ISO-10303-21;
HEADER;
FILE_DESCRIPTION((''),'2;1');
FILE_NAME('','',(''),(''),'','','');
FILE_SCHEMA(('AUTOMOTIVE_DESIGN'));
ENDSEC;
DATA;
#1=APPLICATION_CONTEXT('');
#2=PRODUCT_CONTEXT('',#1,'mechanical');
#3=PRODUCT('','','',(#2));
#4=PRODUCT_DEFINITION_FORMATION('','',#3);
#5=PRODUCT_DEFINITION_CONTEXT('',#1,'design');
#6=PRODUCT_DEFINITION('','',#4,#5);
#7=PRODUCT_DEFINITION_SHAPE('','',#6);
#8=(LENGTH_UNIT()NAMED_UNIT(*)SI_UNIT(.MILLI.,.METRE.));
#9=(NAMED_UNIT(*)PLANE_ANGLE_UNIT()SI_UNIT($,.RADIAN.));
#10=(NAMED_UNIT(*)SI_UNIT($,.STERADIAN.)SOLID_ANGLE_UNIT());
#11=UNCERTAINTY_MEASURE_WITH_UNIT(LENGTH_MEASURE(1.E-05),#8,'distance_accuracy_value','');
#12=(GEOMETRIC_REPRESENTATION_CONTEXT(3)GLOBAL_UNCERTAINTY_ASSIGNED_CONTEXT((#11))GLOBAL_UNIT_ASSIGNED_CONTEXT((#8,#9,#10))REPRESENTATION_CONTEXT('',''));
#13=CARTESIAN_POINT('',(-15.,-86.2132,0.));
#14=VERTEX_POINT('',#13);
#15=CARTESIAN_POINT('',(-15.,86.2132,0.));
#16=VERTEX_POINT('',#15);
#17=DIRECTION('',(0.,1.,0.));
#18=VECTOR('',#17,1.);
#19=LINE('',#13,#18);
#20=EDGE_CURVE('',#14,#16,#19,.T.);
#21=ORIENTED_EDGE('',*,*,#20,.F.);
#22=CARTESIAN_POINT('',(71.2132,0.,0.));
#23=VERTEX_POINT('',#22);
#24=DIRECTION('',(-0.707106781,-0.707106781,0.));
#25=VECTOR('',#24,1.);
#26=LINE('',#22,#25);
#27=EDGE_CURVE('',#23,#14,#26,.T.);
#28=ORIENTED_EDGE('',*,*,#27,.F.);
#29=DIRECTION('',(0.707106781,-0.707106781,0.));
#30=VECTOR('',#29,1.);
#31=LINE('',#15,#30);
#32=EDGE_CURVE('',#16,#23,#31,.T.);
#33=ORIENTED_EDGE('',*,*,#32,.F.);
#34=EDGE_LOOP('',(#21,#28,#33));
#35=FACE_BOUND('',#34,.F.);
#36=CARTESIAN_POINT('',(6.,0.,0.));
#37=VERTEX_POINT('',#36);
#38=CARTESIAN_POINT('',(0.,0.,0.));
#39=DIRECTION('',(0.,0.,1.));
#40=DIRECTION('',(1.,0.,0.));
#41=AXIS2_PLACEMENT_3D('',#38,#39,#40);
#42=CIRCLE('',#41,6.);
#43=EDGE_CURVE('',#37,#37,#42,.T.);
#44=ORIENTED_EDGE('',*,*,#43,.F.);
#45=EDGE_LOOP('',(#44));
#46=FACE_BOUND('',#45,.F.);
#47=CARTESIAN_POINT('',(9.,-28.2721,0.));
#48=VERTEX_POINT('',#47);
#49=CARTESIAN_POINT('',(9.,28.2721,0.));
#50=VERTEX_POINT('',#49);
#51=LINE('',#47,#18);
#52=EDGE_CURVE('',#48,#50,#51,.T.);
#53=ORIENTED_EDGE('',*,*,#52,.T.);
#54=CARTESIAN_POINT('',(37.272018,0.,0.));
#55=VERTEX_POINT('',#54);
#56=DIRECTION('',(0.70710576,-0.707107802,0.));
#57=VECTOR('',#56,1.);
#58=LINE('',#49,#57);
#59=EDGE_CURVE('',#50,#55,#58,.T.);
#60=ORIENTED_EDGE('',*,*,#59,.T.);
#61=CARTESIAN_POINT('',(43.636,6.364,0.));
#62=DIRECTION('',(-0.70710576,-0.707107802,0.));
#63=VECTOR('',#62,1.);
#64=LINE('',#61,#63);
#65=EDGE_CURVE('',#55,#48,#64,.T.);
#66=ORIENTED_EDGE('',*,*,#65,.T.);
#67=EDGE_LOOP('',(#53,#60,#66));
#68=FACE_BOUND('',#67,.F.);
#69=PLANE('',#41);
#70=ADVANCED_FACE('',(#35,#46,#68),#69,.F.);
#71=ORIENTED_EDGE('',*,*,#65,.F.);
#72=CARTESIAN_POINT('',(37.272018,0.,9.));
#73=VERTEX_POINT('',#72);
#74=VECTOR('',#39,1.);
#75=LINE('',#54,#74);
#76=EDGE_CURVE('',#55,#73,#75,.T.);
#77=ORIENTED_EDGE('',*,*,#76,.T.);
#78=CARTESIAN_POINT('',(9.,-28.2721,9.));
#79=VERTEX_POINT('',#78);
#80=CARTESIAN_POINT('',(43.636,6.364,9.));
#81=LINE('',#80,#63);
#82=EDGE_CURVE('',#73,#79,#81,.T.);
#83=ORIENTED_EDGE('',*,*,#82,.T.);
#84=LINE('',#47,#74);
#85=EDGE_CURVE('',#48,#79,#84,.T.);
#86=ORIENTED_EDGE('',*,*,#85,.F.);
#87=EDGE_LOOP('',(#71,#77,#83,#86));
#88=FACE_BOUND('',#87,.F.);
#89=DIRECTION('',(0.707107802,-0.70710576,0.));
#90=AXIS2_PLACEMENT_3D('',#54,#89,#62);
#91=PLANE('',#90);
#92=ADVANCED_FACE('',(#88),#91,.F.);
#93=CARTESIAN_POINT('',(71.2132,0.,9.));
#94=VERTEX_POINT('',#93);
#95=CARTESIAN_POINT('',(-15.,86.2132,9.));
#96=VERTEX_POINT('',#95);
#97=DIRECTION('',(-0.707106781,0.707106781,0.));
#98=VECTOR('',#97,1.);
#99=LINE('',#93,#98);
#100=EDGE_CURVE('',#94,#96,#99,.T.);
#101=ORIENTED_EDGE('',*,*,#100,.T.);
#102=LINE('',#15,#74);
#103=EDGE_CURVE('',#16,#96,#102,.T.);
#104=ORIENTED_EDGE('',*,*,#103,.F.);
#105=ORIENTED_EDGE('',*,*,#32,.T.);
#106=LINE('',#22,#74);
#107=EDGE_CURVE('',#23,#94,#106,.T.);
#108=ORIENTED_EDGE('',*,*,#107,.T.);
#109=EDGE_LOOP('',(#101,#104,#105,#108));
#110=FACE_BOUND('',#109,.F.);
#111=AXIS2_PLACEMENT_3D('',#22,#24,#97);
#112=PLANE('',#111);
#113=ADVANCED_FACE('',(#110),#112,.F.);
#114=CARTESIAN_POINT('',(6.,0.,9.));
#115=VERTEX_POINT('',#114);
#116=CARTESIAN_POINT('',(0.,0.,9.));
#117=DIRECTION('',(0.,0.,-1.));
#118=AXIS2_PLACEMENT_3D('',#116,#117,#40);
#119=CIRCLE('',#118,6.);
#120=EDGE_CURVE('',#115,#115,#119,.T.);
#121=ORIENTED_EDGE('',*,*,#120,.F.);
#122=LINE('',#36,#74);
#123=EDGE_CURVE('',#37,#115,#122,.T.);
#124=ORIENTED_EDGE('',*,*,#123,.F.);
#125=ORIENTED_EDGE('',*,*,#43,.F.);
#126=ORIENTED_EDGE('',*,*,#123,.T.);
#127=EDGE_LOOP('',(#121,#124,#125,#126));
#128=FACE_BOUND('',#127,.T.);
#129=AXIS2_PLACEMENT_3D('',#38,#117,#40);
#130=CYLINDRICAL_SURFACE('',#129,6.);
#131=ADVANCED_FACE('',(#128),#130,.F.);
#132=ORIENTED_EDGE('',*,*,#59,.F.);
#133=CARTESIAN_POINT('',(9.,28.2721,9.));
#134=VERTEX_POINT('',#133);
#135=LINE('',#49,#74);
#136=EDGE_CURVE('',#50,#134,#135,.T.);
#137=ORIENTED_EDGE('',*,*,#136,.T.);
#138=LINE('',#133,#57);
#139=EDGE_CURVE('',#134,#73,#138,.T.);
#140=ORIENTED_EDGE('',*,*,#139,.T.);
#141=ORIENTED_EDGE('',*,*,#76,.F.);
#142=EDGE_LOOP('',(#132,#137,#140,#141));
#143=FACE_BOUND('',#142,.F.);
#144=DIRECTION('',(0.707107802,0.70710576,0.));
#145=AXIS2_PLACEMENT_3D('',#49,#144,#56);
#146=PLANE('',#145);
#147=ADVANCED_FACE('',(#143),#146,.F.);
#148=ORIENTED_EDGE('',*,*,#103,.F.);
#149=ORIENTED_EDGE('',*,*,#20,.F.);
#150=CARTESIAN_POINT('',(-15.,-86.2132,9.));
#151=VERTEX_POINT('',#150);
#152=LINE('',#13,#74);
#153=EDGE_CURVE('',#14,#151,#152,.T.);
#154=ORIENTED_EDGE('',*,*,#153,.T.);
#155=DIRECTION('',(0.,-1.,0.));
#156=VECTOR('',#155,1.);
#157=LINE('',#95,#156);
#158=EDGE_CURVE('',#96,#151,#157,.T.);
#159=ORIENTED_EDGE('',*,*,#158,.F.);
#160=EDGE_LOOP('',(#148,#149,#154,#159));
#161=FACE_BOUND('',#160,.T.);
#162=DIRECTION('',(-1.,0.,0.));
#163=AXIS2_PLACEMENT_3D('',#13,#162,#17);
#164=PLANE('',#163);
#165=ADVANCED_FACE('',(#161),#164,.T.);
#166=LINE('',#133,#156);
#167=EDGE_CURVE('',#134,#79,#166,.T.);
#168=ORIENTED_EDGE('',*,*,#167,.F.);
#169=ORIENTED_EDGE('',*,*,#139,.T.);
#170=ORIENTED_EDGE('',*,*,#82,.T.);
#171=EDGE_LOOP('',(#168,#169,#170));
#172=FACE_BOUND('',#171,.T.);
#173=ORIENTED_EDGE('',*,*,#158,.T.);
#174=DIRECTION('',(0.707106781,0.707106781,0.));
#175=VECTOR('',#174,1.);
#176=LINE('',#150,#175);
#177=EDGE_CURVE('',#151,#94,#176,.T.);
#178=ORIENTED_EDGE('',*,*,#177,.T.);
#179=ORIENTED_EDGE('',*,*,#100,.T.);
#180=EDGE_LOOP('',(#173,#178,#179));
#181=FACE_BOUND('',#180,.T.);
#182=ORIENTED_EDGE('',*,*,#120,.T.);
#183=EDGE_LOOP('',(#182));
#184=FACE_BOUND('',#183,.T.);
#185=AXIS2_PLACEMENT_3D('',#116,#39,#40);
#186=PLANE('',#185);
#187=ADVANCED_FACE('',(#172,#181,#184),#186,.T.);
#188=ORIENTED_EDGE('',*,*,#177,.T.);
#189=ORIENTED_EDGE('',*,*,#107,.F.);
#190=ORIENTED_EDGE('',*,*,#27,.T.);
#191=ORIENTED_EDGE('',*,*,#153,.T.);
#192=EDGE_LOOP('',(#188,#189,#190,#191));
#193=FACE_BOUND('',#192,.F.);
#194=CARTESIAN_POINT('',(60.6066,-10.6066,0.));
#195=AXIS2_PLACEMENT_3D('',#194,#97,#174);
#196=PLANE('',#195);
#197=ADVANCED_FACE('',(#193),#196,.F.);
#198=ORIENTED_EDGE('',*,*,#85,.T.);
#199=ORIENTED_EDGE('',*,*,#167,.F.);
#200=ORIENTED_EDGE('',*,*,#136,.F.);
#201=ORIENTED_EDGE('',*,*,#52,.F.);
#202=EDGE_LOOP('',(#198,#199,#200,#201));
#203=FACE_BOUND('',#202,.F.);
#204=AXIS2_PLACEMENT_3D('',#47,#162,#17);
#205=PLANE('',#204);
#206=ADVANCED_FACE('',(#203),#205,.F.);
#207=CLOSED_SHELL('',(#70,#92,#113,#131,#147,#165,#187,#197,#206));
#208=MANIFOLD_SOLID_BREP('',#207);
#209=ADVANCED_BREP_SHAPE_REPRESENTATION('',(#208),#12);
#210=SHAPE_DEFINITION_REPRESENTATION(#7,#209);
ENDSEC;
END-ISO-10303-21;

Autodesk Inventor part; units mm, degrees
ref_plane "YZ Plane" through (0, 0, 0) normal (1, 0, 0) x (0, 1, 0)
ref_plane "XZ Plane" through (0, 0, 0) normal (0, 1, 0) x (-1, 0, 0)
ref_plane "XY Plane" through (0, 0, 0) normal (0, 0, 1) x (1, 0, 0)
sketch "Boceto1" plane through (0, 0, 0) normal (0, 0, 1) x (1, 0, 0)
  circle A0 centre (0, 0) radius 6
  line L0 (0, 0) -> (0, 50)
  line L1 (0, 0) -> (50, 0)
  line L2 (50, 0) -> (0, 50)
  line L3 (0, 0) -> (0, -50)
  line L4 (0, -50) -> (50, 0)
  line L5 (60.6066, 10.6066) -> (-15, 86.2132)
  line L6 (-15, 86.2132) -> (-15, 0)
  line L7 (60.6066, -10.6066) -> (-15, -86.2132)
  line L8 (-15, -86.2132) -> (-15, 0)
  line L9 (60.6066, -10.6066) -> (71.2132, 0)
  line L10 (71.2132, 0) -> (60.6066, 10.6066)
  line L11 (9, 0) -> (9, 28.2721)
  line L12 (9, 28.2721) -> (43.636, -6.364)
  line L13 (43.636, 6.364) -> (9, -28.2721)
  line L14 (9, -28.2721) -> (9, 0)
  point P0 (37.2721, 0)
  dimension "d0" = 12
  dimension "d1" = 50
  dimension "d2" = 50
  dimension "d3" = 50
  dimension "d4" = 15
  dimension "d5" = 15
  dimension "d6" = 9
  dimension "d7" = 9
extrude "Extrusión1" add sketch "Boceto1" along normal blind 9 contours L1 L14 L13 L12 L4 L3 A0 | A0 L0 L2 L13 L12 L11 L1 | L13 L2 L1 | L1 L4 L12 | L10 L9 L7 L8 L6 L5
sketch "Boceto2" plane through (0, 0, 9) normal (0, 0, 1) x (1, 0, 0)
  line L0 (71.2132, 0) -> (-15, 86.2132) projected
  line L1 (0, 0) -> (71.2132, 0)
  dimension "d10" = 71.2132
equation "\"d8\" = d7"
properties part number "Eslabon_3_inventor"
